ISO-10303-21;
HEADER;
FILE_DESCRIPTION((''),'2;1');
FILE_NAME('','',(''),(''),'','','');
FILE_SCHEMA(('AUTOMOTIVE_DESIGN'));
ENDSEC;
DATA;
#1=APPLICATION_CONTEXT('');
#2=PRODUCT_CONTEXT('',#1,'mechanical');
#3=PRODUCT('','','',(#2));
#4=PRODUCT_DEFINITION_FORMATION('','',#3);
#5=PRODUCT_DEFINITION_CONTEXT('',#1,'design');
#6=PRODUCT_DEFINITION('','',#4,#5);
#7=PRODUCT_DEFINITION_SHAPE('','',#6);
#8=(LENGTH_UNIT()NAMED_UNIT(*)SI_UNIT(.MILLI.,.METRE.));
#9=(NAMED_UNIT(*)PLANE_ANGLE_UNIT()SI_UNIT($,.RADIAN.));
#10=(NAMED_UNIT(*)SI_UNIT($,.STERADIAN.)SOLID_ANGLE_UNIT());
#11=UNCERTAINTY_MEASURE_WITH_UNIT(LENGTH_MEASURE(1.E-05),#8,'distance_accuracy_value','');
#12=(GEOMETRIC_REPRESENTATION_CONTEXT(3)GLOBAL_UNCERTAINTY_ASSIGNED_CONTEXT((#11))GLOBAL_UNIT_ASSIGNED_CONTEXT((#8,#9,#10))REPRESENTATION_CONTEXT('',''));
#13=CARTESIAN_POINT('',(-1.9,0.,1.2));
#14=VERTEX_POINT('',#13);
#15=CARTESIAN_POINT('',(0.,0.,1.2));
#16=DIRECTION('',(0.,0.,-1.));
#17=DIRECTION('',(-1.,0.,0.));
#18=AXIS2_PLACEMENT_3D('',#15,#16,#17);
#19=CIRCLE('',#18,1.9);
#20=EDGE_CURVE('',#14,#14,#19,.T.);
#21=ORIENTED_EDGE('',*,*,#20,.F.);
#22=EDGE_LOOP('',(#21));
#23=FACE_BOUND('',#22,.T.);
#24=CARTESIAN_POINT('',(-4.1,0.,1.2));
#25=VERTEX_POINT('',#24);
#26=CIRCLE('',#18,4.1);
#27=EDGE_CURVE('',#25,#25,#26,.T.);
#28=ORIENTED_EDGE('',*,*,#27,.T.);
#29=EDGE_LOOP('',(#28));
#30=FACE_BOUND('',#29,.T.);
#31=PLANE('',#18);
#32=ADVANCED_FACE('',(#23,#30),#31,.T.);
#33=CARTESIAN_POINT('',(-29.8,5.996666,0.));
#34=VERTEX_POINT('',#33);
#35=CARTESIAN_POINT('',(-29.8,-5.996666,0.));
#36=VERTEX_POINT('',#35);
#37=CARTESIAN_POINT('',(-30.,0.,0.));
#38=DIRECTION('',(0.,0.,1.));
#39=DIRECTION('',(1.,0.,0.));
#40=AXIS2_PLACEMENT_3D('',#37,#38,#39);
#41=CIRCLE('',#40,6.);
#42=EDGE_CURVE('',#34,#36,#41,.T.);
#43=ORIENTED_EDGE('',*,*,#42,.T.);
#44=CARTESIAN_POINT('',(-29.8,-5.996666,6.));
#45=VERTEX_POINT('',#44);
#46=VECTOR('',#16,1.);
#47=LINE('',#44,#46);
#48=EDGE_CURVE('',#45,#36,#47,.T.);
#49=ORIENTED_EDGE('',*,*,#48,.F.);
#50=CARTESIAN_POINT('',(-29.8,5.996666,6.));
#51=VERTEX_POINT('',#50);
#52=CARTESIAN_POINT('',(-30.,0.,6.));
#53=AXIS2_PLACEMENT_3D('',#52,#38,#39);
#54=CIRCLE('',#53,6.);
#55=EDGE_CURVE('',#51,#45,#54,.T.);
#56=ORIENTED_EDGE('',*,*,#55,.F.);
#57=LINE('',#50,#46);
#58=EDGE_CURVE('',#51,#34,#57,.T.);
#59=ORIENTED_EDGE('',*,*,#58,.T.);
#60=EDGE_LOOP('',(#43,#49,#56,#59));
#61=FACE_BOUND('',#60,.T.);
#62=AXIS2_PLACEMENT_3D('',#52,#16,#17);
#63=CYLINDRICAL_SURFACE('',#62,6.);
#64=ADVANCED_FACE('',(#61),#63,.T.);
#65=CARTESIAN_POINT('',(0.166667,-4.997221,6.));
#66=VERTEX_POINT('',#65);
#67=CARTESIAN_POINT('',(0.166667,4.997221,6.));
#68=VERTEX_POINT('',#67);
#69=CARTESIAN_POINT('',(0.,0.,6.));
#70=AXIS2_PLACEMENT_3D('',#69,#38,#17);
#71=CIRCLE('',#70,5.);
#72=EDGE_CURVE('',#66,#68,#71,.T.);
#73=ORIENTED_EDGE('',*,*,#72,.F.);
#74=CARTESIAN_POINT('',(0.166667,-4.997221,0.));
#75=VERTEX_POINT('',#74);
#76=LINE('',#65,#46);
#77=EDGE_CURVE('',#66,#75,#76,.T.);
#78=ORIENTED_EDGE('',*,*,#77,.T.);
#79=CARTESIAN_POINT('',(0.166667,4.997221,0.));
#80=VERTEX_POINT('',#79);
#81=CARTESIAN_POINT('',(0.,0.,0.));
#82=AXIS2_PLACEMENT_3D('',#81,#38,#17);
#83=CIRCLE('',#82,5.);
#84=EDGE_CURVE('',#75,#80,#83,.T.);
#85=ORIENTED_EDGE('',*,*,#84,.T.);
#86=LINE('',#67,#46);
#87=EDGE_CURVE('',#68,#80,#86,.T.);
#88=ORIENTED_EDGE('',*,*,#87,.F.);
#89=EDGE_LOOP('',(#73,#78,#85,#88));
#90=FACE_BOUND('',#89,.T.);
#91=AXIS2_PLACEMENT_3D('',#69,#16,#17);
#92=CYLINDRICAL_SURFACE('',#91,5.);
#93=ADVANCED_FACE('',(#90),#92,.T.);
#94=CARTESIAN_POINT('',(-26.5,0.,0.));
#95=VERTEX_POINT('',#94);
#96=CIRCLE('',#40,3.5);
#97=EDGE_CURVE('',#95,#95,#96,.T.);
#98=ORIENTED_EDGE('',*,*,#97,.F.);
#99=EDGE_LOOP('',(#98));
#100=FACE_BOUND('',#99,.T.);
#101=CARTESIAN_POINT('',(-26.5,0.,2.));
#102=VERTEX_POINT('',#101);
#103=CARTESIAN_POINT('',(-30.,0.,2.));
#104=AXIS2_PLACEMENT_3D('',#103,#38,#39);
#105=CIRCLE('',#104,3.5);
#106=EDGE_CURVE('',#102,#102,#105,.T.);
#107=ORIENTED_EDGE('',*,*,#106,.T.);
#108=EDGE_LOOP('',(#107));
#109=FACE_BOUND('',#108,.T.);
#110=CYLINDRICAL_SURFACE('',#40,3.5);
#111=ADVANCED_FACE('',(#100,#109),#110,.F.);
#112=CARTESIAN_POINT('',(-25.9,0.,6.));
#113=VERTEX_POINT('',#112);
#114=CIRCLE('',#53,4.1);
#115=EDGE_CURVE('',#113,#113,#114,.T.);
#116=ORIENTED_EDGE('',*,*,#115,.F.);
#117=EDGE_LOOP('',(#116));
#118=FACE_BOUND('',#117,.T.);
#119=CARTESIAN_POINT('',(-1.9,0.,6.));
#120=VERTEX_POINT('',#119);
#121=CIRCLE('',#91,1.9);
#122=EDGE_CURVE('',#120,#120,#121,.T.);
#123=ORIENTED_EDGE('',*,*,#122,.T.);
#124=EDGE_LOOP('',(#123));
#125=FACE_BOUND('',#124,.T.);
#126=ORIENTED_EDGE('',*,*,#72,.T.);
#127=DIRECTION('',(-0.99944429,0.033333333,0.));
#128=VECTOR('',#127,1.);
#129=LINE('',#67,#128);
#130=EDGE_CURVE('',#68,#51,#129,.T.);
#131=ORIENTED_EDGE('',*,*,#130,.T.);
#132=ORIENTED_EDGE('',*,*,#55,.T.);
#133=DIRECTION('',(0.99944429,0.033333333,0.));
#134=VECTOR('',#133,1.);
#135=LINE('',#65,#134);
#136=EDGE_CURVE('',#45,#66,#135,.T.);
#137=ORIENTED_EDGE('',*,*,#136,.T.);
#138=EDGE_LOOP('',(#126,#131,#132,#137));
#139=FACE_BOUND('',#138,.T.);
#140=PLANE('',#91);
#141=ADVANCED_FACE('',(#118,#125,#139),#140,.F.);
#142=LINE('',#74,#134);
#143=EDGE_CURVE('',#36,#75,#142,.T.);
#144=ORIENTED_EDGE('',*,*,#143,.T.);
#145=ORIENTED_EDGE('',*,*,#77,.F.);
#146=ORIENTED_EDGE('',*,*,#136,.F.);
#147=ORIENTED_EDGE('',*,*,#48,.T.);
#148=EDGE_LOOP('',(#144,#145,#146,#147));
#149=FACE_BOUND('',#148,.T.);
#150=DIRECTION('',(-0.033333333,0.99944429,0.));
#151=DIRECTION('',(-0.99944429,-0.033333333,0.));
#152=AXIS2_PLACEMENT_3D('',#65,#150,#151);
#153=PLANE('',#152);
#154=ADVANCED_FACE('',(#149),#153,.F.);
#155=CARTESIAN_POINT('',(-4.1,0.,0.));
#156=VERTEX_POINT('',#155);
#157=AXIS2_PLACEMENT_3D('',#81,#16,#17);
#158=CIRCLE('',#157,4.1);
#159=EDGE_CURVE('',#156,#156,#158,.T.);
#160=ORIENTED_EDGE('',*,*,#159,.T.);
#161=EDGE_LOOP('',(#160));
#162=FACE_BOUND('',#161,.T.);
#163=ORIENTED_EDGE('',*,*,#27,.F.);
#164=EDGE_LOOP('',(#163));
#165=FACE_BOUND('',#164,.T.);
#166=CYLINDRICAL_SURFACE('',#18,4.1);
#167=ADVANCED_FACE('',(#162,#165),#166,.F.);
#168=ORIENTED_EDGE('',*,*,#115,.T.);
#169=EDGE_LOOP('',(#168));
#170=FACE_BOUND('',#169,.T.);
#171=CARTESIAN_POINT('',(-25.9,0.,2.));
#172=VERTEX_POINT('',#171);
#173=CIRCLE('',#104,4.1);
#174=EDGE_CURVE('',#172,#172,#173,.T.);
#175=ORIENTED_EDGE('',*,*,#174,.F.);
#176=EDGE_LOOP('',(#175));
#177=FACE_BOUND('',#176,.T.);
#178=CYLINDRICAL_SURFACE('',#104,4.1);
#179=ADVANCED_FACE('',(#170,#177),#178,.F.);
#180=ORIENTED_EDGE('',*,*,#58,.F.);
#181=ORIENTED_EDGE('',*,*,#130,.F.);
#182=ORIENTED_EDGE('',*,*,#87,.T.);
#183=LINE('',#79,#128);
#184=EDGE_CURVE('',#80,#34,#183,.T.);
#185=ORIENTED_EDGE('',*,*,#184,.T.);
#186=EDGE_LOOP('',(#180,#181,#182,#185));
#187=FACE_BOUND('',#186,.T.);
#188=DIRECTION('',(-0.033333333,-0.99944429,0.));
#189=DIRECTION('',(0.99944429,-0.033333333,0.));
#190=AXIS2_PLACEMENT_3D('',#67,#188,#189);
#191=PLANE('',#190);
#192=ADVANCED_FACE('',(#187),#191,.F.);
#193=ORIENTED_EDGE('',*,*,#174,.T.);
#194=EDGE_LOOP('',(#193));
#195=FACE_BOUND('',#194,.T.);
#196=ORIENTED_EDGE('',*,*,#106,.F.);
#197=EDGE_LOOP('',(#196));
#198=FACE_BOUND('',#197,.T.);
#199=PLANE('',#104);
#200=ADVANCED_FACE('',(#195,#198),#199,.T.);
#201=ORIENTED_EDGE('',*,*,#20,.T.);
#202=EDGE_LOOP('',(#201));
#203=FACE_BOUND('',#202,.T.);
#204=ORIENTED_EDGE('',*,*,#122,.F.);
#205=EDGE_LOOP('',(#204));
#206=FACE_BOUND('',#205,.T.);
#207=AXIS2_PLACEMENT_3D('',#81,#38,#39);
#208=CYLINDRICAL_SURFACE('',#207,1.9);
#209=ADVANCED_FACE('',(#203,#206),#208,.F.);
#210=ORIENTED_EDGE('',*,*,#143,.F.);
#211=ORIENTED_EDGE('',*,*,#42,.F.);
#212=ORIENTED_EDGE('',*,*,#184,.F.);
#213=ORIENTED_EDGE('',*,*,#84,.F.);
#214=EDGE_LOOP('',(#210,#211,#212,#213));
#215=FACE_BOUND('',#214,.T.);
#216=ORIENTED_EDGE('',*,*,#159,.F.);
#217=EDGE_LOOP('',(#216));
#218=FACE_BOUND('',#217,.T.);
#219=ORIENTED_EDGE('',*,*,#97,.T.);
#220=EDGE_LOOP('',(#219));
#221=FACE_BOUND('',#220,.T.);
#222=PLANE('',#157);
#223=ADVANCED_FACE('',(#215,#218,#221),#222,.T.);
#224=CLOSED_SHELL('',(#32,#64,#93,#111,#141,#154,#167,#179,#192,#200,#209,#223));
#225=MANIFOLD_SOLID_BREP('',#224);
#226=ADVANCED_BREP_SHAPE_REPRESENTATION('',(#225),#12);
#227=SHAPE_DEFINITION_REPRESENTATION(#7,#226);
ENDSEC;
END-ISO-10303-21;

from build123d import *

# Parameters (mm, degrees)
EXTRUDE_1_DEPTH          = 6
SKETCH_3_R               = 4.1
CUT_EXTRUDE_2_DEPTH      = 1.2
SKETCH_4_R               = 4.1
CUT_EXTRUDE_3_DEPTH      = 4
SKETCH_5_R               = 3.5
CUT_EXTRUDE_5_DEPTH      = 37.986484018
CUT_EXTRUDE_6_DEPTH      = 37.986484018
CUT_EXTRUDE_6_DEPTH_BACK = 37.986484018
SKETCH_6_R               = 1.9


with BuildPart() as part:
    # ｽｹｯﾁ1 → ﾎﾞｽ - 押し出し1 (new body)
    with BuildSketch(Plane.XY):
        with BuildLine():
            Line((0.166666667, 4.99722145), (-29.8, 5.99666574))
            ThreePointArc((-29.8, 5.99666574), (-36, 0), (-29.8, -5.99666574))
            Line((-29.8, -5.99666574), (0.166666667, -4.99722145))
            ThreePointArc((0.166666667, -4.99722145), (5, 0), (0.166666667, 4.99722145))
        make_face()
    extrude(amount=EXTRUDE_1_DEPTH)

    # ｽｹｯﾁ3 → ｶｯﾄ - 押し出し2 (cut)
    with BuildSketch(Plane(origin=(0, 0, 0), x_dir=(-1, 0, 0), z_dir=(0, 0, -1))):
        Circle(SKETCH_3_R)
    extrude(amount=-CUT_EXTRUDE_2_DEPTH, mode=Mode.SUBTRACT)

    # ｽｹｯﾁ4 → ｶｯﾄ - 押し出し3 (cut)
    with BuildSketch(Plane.XY.offset(6)):
        with Locations((-30, 0)):
            Circle(SKETCH_4_R)
    extrude(amount=-CUT_EXTRUDE_3_DEPTH, mode=Mode.SUBTRACT)

    # ｽｹｯﾁ5 → ｶｯﾄ - 押し出し5 (cut, through all)
    with BuildSketch(Plane.XY.offset(6)):
        with Locations((-30, 0)):
            Circle(SKETCH_5_R)
    extrude(amount=-CUT_EXTRUDE_5_DEPTH, mode=Mode.SUBTRACT)

    # ｽｹｯﾁ6 → ｶｯﾄ - 押し出し6 (cut, two sides: drawn at the far end of the back side and taken through both)
    with BuildSketch(Plane.XY.offset(6).offset(-CUT_EXTRUDE_6_DEPTH_BACK)):
        with Locations(Location((0, 0, 0), (0, 0, 180))):
            Circle(SKETCH_6_R)
    extrude(amount=CUT_EXTRUDE_6_DEPTH + CUT_EXTRUDE_6_DEPTH_BACK, mode=Mode.SUBTRACT)


solid = part.part
